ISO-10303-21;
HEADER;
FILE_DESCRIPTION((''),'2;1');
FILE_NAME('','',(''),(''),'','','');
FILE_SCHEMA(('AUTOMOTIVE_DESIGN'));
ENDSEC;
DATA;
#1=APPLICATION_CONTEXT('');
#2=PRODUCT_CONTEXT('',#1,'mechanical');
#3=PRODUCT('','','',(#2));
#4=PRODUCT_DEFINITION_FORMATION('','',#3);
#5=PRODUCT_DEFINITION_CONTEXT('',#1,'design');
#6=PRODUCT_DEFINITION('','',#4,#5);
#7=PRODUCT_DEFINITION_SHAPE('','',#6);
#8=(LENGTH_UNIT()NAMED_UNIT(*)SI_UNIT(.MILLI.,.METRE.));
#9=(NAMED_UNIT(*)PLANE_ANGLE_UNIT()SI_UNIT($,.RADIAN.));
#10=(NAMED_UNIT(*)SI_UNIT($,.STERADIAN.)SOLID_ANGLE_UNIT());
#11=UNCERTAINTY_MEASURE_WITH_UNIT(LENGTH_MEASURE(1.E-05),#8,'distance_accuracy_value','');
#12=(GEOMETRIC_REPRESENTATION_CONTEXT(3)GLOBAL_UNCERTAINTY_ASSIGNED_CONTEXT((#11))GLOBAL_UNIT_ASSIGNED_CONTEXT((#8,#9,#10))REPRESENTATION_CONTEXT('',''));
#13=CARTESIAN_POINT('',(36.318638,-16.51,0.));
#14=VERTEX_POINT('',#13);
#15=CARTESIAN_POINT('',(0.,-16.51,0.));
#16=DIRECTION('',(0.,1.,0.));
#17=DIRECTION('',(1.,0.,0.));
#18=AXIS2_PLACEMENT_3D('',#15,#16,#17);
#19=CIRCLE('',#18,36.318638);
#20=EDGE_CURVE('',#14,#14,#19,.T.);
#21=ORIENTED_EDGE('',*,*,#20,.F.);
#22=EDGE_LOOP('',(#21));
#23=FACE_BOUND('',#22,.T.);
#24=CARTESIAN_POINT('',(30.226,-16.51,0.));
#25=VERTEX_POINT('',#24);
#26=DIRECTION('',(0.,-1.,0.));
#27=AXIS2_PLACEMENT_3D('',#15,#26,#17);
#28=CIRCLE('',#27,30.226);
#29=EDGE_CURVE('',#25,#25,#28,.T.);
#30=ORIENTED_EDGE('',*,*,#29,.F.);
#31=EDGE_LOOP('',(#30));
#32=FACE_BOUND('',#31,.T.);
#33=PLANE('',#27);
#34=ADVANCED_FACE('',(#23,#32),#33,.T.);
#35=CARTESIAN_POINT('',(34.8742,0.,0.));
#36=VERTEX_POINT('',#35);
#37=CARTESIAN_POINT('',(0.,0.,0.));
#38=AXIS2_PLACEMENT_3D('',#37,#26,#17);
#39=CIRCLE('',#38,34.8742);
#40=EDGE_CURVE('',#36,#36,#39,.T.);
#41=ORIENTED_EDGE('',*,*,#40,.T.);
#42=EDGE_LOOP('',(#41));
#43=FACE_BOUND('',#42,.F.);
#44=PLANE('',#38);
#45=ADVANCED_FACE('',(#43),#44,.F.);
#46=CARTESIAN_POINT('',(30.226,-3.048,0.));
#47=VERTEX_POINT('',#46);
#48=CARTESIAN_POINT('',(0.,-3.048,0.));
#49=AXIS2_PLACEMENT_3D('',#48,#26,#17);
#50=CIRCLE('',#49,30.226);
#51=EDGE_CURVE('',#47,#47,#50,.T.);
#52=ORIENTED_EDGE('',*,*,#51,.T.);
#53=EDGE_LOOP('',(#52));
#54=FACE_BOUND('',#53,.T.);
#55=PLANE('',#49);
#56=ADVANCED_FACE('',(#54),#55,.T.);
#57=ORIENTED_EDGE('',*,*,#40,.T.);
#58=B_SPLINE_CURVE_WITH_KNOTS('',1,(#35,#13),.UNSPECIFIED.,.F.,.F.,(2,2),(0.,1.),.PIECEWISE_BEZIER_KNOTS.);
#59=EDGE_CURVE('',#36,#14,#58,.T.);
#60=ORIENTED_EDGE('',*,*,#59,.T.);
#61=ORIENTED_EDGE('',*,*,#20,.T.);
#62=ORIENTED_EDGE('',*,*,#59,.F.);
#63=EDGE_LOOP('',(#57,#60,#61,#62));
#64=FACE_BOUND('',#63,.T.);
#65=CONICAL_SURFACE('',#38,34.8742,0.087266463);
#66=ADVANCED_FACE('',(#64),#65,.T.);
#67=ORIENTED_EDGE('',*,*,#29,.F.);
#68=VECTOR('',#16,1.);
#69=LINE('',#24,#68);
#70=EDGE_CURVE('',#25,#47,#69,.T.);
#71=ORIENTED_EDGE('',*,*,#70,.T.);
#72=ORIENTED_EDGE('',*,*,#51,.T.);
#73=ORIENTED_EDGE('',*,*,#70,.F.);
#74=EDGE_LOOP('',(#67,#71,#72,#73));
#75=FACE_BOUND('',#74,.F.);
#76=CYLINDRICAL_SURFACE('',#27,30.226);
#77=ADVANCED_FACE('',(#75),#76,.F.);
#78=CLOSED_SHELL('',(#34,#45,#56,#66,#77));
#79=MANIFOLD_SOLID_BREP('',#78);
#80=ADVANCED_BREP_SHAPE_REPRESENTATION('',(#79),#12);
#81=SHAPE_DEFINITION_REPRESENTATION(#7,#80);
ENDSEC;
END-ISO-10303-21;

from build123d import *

# Parameters (mm, degrees)
F0_R     = 34.8742
F1_DEPTH = 16.51
F1_TAPER = -5
F2_R     = 30.226
F3_DEPTH = 13.462


with BuildPart() as f1:
    # F0 (on Front) → F1 (new body)
    with BuildSketch(Plane.XZ):
        Circle(F0_R)
    extrude(amount=F1_DEPTH, taper=F1_TAPER)

    # F2 (on face) → F3 (cut)
    with BuildSketch(Plane.XZ.offset(16.51)):
        Circle(F2_R)
    extrude(amount=-F3_DEPTH, mode=Mode.SUBTRACT)


solid = f1.part
